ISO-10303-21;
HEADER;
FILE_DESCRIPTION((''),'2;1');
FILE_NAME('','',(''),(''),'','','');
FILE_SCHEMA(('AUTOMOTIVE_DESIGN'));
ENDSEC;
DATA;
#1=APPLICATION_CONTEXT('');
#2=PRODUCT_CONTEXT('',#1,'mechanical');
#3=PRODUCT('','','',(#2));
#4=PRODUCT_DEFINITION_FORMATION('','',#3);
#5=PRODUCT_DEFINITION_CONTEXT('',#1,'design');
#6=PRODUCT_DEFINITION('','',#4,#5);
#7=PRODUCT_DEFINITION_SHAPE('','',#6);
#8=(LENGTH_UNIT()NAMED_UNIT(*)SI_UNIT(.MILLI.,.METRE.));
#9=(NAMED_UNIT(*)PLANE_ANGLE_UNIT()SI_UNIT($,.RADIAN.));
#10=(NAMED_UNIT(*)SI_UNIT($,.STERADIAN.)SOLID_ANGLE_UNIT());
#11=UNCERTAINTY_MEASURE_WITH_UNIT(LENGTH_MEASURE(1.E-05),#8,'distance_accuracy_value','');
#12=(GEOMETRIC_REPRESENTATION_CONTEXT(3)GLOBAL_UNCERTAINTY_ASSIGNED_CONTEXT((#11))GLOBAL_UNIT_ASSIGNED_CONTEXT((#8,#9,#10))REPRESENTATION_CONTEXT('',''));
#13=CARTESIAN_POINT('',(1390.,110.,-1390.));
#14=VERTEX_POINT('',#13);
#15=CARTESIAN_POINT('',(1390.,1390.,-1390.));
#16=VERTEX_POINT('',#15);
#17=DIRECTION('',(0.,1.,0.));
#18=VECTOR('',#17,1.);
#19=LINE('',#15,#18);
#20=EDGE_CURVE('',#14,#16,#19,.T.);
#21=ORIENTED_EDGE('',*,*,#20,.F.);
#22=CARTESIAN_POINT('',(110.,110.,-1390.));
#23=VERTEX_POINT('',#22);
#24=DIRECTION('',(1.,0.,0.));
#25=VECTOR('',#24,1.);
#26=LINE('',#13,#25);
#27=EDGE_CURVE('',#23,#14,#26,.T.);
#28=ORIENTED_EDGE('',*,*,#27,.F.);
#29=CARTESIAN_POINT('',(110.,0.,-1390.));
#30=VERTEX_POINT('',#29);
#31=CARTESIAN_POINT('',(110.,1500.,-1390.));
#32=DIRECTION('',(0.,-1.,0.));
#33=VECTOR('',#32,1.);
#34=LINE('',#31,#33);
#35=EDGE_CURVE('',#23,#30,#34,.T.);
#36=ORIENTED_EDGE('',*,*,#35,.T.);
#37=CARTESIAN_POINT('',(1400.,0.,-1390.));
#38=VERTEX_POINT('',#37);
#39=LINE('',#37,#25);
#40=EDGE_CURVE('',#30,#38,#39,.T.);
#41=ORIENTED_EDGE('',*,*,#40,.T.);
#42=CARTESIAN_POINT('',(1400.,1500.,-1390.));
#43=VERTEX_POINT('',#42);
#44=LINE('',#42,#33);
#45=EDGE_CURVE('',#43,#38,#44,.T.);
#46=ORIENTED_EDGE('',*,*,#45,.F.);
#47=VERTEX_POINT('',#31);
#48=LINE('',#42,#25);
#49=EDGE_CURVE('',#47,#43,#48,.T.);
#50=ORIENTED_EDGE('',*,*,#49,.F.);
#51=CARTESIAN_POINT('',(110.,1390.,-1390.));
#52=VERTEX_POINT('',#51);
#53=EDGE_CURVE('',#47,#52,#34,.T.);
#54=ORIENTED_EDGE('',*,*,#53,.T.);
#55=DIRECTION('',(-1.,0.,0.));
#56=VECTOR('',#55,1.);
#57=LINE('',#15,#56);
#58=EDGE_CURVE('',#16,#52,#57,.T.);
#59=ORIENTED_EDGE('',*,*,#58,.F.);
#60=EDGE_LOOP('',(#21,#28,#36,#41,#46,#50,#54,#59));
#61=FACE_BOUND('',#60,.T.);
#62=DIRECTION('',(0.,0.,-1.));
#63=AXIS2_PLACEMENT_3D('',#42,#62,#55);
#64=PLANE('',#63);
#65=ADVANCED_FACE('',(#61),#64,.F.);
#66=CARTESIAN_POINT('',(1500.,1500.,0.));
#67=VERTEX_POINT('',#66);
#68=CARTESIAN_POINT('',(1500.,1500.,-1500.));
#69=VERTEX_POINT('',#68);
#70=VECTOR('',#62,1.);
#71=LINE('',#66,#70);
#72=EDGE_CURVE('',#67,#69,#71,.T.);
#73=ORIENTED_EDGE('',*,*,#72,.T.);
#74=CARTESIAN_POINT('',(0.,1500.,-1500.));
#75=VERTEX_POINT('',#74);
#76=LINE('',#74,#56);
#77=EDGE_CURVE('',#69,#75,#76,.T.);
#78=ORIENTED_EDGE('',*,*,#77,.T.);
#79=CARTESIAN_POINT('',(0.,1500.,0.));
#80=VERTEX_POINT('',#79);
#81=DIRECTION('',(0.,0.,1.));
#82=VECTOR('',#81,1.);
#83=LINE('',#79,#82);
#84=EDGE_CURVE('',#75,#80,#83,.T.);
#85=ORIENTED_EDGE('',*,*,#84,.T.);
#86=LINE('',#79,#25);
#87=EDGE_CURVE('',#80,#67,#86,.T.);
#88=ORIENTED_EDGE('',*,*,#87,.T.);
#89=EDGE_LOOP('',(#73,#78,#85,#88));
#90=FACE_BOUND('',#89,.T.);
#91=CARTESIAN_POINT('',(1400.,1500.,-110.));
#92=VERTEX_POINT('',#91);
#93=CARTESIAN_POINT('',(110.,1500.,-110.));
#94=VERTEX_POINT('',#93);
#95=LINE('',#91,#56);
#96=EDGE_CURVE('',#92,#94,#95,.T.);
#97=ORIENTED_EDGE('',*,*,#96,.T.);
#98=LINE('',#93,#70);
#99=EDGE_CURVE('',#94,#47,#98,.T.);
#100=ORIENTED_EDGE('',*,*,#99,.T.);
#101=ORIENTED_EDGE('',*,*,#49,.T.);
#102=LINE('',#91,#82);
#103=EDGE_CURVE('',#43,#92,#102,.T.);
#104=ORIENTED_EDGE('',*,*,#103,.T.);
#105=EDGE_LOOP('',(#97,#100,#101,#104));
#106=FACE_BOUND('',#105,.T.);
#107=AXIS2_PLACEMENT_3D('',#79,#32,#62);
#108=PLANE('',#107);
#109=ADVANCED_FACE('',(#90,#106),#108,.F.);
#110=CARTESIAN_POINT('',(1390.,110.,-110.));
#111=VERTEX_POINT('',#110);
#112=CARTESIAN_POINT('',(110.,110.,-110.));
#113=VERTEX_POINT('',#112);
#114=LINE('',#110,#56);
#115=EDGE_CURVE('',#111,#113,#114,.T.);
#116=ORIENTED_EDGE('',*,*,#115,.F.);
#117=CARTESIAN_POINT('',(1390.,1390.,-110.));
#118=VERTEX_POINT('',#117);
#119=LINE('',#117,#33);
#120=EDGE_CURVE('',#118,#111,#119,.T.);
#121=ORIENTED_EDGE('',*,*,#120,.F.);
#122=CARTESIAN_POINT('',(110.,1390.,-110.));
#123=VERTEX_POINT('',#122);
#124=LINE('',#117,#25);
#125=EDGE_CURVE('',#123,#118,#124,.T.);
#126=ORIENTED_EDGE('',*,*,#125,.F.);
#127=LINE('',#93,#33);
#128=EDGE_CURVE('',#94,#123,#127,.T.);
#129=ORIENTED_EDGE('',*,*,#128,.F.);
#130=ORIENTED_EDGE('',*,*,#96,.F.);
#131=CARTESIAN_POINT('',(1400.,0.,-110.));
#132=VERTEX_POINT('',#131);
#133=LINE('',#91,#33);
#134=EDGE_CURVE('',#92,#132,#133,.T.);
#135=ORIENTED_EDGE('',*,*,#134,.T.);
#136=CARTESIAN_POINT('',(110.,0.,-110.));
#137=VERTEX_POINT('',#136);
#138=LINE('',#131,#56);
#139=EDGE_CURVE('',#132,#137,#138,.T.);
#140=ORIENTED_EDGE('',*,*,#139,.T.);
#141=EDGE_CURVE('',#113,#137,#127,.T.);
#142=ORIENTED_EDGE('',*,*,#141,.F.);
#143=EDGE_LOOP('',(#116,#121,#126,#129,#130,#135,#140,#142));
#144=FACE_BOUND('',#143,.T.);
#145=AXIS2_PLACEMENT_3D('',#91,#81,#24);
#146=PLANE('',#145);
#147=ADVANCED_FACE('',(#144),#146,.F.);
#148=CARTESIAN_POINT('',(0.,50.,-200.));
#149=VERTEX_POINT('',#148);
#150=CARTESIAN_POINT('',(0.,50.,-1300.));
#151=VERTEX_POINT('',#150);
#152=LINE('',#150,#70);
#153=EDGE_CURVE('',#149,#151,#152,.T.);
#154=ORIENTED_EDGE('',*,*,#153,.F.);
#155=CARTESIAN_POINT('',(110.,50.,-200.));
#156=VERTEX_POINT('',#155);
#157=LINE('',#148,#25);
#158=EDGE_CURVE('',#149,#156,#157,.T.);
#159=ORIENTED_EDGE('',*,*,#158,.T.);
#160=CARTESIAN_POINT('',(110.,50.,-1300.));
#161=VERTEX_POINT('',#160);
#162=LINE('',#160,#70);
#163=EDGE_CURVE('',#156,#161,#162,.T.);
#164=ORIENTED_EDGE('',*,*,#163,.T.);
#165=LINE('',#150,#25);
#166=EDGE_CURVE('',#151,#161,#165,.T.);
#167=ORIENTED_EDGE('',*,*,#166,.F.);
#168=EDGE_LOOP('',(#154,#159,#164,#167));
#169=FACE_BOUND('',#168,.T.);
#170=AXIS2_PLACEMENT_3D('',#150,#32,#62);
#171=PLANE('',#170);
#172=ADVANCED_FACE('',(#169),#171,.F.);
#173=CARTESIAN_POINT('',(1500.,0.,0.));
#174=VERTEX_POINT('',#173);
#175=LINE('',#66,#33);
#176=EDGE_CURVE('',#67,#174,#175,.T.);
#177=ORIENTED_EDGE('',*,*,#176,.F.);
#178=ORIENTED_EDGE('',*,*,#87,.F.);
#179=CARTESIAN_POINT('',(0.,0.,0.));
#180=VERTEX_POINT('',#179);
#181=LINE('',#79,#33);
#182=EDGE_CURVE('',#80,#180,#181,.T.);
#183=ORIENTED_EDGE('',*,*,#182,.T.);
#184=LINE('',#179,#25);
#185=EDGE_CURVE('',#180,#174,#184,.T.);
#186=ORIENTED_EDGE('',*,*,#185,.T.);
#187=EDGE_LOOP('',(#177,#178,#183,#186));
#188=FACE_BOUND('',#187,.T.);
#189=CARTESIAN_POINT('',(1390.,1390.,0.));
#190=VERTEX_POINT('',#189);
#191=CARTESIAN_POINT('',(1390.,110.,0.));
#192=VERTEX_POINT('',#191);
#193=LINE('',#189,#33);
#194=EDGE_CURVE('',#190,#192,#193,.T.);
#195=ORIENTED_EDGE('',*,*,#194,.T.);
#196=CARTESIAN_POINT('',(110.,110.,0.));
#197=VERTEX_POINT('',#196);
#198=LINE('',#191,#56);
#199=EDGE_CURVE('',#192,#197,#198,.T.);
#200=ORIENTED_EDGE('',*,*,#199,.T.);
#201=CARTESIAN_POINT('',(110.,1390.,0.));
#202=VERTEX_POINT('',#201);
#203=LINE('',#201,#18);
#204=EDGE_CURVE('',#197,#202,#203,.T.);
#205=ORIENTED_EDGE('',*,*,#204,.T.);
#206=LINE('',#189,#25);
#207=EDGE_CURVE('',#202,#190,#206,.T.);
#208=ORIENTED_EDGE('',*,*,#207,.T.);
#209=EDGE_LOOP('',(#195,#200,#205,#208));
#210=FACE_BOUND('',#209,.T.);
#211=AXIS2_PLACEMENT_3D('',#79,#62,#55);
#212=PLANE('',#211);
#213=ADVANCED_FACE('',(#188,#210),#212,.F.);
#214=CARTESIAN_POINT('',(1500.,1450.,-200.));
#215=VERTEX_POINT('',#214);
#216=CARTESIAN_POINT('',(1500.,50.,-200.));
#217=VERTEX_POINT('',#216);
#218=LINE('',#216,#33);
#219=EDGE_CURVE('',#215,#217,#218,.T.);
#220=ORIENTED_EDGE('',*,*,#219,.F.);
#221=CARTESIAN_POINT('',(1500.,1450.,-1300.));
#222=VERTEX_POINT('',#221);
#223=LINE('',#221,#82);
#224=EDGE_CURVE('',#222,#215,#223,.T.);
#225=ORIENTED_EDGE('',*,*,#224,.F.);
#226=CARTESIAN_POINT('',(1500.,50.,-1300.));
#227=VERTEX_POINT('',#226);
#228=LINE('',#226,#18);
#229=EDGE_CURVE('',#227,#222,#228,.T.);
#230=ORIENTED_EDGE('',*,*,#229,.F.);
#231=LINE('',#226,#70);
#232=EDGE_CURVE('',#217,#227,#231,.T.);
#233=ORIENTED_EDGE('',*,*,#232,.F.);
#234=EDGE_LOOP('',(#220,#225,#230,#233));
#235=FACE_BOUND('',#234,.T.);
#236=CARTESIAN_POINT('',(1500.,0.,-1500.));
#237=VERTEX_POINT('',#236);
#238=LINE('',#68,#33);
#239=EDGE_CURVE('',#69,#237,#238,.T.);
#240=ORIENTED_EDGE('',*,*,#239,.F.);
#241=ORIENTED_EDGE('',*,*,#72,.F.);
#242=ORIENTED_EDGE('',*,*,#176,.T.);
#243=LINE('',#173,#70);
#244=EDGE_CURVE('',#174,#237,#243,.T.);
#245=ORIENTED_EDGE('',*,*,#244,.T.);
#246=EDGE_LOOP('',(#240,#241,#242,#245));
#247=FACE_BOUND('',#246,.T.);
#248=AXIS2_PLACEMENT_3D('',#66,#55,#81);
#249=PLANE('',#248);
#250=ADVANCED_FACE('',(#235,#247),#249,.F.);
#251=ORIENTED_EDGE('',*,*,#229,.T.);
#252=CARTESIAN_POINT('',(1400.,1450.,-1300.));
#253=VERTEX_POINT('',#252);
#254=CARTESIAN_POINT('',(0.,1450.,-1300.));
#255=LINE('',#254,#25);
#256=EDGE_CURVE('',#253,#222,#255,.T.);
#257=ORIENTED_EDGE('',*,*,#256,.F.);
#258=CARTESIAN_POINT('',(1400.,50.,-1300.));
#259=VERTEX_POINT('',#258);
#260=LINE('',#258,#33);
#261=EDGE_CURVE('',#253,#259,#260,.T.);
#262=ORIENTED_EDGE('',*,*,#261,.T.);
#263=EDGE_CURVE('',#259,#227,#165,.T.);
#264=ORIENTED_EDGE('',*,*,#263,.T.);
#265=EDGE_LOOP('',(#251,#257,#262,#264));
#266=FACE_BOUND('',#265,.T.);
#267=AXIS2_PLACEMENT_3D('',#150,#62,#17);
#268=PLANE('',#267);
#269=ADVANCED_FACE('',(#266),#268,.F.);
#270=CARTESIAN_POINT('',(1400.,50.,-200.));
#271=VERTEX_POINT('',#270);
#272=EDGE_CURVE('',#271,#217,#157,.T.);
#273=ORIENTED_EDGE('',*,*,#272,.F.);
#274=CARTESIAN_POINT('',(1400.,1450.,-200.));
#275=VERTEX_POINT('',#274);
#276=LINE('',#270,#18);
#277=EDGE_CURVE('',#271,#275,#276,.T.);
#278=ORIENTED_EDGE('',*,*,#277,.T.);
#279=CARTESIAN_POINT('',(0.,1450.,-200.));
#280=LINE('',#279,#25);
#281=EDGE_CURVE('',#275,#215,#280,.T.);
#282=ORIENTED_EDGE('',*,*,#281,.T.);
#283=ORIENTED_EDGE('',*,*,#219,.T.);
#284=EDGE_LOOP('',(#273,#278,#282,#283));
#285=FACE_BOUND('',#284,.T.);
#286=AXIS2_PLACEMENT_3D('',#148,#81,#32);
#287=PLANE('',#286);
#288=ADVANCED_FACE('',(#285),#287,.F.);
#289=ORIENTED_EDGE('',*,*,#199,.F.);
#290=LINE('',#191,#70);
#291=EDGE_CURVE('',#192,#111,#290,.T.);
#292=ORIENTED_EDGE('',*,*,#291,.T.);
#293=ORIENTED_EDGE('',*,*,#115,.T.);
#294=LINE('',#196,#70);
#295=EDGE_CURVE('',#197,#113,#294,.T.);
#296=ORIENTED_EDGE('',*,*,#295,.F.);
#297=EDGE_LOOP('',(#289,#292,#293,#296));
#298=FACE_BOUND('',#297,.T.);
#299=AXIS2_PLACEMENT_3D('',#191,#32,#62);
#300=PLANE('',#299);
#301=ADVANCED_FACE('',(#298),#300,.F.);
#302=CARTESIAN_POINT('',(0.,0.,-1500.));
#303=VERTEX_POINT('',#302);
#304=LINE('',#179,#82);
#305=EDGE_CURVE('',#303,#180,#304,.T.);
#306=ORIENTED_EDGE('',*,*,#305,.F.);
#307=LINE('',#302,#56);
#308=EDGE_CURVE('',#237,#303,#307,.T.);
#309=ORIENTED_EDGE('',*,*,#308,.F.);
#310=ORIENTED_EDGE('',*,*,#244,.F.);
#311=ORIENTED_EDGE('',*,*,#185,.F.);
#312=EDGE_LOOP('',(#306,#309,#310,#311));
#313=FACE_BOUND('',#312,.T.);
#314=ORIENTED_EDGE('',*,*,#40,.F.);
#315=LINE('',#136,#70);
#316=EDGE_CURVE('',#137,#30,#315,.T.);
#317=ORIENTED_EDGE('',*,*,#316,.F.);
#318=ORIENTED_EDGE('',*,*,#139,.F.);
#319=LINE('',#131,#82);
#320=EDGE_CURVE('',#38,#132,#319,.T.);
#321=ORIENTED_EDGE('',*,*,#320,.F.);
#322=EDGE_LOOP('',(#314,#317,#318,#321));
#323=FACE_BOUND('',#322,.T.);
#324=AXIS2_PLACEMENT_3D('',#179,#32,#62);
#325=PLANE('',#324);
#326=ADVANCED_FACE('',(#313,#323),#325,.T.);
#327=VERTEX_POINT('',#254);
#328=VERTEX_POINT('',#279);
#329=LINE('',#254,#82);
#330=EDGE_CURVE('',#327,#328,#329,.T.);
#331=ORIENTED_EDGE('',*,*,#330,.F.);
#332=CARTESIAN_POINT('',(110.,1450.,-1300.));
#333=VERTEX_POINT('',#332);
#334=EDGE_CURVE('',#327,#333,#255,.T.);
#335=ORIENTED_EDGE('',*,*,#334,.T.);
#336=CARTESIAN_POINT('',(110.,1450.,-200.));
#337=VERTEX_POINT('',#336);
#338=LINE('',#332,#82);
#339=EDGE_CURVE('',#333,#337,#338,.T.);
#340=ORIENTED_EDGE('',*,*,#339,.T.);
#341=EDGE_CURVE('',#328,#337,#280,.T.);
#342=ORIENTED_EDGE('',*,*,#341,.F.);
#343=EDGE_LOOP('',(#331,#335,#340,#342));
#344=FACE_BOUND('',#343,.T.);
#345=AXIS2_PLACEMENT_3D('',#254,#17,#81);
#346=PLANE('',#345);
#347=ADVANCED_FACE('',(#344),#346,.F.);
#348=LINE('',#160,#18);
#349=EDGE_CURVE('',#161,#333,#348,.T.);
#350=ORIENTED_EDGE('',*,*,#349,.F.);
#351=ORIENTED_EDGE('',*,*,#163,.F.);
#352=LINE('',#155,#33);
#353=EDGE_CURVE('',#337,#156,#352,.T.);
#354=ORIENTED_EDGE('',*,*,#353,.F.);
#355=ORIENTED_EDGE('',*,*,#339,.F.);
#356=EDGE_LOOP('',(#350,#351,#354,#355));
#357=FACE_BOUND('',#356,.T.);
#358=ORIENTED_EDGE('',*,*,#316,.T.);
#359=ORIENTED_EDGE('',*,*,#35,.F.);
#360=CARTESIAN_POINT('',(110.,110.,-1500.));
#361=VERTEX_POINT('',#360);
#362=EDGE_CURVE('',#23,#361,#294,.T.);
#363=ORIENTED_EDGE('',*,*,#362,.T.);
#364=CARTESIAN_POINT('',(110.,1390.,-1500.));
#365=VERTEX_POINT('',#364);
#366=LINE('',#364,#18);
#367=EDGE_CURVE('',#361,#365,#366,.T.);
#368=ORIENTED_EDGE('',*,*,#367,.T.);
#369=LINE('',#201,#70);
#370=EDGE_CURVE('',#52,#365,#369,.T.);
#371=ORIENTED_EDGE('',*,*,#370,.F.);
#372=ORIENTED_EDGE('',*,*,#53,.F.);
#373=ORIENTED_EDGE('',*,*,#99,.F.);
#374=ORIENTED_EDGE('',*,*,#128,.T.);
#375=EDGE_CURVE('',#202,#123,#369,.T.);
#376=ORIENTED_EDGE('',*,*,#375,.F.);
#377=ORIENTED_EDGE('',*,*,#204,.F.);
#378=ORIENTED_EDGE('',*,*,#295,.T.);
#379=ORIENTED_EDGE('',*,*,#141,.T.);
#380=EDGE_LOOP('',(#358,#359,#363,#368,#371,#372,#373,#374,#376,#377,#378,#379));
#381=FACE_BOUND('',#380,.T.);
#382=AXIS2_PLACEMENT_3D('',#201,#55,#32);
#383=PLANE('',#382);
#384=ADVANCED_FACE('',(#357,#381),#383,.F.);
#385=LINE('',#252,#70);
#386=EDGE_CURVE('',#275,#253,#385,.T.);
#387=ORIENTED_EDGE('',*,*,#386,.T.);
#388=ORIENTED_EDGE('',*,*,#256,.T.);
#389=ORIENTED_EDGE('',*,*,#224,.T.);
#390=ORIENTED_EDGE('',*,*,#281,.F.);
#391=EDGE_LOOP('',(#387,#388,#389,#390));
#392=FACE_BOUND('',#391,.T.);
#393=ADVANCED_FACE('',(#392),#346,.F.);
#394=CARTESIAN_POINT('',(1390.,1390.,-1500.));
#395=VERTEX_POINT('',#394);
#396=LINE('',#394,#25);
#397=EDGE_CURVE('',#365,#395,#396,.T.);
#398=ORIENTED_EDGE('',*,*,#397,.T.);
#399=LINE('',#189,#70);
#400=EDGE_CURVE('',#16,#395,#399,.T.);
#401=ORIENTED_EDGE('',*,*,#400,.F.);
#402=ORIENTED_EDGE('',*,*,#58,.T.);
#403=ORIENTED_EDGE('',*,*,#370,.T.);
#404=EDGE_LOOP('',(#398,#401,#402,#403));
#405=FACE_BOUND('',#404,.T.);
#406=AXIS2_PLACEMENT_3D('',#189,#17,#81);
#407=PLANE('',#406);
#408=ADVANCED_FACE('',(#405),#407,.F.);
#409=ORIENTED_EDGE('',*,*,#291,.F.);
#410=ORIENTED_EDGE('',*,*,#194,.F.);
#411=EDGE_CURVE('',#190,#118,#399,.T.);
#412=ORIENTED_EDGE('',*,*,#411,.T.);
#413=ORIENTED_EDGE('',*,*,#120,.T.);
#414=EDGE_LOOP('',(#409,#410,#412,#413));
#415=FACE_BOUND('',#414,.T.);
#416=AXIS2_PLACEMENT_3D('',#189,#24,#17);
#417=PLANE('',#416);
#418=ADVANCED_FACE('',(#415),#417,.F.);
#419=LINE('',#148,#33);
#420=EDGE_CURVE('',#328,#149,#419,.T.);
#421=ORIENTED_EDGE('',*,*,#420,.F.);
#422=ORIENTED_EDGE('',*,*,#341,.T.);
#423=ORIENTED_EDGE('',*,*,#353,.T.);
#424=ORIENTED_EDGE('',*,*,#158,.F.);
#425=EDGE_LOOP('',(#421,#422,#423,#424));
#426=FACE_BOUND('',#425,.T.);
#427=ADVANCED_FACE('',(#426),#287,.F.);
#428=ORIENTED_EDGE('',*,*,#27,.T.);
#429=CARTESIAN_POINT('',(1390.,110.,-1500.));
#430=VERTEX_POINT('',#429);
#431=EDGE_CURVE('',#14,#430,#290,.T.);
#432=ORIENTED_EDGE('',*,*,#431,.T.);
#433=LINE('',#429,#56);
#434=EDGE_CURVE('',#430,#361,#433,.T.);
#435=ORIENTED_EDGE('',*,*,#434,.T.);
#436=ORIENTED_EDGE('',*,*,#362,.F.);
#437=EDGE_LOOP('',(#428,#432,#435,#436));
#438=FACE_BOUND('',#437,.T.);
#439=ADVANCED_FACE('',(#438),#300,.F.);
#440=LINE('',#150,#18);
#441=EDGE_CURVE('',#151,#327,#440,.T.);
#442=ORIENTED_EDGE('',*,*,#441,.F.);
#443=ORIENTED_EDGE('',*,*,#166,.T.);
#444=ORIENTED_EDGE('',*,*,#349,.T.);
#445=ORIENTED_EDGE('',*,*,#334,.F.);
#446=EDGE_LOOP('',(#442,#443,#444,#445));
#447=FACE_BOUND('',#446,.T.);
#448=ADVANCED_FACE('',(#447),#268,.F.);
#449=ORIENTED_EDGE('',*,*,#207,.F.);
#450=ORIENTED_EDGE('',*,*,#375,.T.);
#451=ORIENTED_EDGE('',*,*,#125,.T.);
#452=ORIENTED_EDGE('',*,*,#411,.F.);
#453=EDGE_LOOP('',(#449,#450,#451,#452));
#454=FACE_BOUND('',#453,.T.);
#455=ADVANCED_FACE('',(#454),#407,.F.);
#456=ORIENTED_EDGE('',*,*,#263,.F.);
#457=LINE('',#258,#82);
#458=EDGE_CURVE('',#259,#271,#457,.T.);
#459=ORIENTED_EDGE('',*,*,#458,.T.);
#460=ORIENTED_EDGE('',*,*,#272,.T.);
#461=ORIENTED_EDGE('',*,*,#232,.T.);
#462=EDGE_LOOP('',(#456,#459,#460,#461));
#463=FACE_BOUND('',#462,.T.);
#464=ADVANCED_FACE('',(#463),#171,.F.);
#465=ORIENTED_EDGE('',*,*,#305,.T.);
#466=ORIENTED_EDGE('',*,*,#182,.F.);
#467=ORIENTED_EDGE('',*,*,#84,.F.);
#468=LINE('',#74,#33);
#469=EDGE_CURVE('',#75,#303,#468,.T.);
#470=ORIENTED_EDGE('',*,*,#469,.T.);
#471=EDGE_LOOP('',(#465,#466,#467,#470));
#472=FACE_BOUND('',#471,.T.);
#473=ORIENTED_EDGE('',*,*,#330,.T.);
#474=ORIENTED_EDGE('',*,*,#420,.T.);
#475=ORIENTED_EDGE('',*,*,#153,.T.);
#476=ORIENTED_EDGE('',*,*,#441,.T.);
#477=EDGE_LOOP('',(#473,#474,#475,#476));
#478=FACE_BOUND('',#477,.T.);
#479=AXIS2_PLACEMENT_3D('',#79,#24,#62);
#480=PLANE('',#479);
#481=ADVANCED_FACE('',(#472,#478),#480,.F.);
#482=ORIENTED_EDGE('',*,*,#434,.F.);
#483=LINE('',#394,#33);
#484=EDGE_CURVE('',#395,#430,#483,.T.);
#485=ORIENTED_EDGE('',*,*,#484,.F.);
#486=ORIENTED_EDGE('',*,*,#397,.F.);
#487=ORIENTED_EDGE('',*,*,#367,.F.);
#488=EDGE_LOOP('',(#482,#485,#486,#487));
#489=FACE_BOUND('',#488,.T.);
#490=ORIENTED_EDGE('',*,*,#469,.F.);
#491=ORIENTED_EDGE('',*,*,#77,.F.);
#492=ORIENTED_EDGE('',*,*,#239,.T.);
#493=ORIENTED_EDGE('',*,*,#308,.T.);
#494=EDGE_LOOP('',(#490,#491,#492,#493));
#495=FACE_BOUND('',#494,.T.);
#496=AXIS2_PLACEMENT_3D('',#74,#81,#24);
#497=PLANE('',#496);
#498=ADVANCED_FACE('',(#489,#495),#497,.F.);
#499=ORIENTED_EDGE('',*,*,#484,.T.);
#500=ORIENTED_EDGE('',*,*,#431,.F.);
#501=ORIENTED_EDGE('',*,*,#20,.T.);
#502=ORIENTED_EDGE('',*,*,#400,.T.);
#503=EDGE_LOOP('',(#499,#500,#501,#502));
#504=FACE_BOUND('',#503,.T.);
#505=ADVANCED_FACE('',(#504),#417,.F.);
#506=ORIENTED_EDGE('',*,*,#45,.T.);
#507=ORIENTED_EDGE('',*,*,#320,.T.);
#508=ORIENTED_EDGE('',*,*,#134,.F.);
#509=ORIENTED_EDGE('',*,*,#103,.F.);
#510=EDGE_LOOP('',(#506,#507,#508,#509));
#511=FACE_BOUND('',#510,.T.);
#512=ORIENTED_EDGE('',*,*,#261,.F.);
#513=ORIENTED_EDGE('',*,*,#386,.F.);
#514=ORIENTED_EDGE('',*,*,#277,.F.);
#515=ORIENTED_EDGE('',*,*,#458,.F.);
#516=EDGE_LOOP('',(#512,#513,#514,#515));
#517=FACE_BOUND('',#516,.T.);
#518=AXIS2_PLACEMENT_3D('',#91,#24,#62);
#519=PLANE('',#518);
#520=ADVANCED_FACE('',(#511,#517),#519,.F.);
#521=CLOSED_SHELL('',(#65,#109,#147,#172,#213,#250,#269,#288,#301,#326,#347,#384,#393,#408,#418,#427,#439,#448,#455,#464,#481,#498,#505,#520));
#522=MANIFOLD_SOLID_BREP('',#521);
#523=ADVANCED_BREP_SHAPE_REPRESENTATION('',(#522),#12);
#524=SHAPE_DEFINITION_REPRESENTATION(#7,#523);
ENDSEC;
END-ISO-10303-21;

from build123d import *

# Parameters (mm, degrees)
SKETCH_3_W               = 1500
SKETCH_3_H               = 1500
EXTRUDE_1_DEPTH          = 1500
CUT_EXTRUDE_1_DEPTH      = 2346.207879912
CUT_EXTRUDE_1_DEPTH_BACK = 2346.207879912
SKETCH_4_W               = 1100
SKETCH_4_H               = 1400
CUT_EXTRUDE_2_DEPTH      = 2346.207879912
CUT_EXTRUDE_2_DEPTH_BACK = 2346.207879912
SKETCH_5_W               = 1280
SKETCH_5_H               = 1280
CUT_EXTRUDE_3_DEPTH      = 2346.207879912
CUT_EXTRUDE_3_DEPTH_BACK = 2346.207879912
SKETCH_6_W               = 1290
SKETCH_6_H               = 1280


with BuildPart() as part:
    # 草图3 → 凸台-拉伸1 (new body)
    with BuildSketch(Plane(origin=(0, 0, 0), x_dir=(1, 0, 0), z_dir=(0, 1, 0))):
        with Locations((750, 750)):
            Rectangle(SKETCH_3_W, SKETCH_3_H)
    extrude(amount=EXTRUDE_1_DEPTH)

    # 草图4 → 切除-拉伸1 (cut, two sides: drawn at the far end of the back side and taken through both)
    with BuildSketch(Plane(origin=(1000, 0, 0), x_dir=(0, 0, -1), z_dir=(1, 0, 0)).offset(-CUT_EXTRUDE_1_DEPTH_BACK)):
        with Locations((750, 750)):
            Rectangle(SKETCH_4_W, SKETCH_4_H)
    extrude(amount=CUT_EXTRUDE_1_DEPTH + CUT_EXTRUDE_1_DEPTH_BACK, mode=Mode.SUBTRACT)

    # 草图5 → 切除-拉伸2 (cut, two sides: drawn at the far end of the back side and taken through both)
    with BuildSketch(Plane(origin=(0, 0, -1000), x_dir=(-1, 0, 0), z_dir=(0, 0, -1)).offset(-CUT_EXTRUDE_2_DEPTH_BACK)):
        with Locations((-750, 750)):
            Rectangle(SKETCH_5_W, SKETCH_5_H)
    extrude(amount=CUT_EXTRUDE_2_DEPTH + CUT_EXTRUDE_2_DEPTH_BACK, mode=Mode.SUBTRACT)

    # 草图6 → 切除-拉伸3 (cut, two sides: drawn at the far end of the back side and taken through both)
    with BuildSketch(Plane(origin=(0, 500, 0), x_dir=(-1, 0, 0), z_dir=(0, -1, 0)).offset(-CUT_EXTRUDE_3_DEPTH_BACK)):
        with Locations((-755, 750)):
            Rectangle(SKETCH_6_W, SKETCH_6_H)
    extrude(amount=CUT_EXTRUDE_3_DEPTH + CUT_EXTRUDE_3_DEPTH_BACK, mode=Mode.SUBTRACT)


solid = part.part
